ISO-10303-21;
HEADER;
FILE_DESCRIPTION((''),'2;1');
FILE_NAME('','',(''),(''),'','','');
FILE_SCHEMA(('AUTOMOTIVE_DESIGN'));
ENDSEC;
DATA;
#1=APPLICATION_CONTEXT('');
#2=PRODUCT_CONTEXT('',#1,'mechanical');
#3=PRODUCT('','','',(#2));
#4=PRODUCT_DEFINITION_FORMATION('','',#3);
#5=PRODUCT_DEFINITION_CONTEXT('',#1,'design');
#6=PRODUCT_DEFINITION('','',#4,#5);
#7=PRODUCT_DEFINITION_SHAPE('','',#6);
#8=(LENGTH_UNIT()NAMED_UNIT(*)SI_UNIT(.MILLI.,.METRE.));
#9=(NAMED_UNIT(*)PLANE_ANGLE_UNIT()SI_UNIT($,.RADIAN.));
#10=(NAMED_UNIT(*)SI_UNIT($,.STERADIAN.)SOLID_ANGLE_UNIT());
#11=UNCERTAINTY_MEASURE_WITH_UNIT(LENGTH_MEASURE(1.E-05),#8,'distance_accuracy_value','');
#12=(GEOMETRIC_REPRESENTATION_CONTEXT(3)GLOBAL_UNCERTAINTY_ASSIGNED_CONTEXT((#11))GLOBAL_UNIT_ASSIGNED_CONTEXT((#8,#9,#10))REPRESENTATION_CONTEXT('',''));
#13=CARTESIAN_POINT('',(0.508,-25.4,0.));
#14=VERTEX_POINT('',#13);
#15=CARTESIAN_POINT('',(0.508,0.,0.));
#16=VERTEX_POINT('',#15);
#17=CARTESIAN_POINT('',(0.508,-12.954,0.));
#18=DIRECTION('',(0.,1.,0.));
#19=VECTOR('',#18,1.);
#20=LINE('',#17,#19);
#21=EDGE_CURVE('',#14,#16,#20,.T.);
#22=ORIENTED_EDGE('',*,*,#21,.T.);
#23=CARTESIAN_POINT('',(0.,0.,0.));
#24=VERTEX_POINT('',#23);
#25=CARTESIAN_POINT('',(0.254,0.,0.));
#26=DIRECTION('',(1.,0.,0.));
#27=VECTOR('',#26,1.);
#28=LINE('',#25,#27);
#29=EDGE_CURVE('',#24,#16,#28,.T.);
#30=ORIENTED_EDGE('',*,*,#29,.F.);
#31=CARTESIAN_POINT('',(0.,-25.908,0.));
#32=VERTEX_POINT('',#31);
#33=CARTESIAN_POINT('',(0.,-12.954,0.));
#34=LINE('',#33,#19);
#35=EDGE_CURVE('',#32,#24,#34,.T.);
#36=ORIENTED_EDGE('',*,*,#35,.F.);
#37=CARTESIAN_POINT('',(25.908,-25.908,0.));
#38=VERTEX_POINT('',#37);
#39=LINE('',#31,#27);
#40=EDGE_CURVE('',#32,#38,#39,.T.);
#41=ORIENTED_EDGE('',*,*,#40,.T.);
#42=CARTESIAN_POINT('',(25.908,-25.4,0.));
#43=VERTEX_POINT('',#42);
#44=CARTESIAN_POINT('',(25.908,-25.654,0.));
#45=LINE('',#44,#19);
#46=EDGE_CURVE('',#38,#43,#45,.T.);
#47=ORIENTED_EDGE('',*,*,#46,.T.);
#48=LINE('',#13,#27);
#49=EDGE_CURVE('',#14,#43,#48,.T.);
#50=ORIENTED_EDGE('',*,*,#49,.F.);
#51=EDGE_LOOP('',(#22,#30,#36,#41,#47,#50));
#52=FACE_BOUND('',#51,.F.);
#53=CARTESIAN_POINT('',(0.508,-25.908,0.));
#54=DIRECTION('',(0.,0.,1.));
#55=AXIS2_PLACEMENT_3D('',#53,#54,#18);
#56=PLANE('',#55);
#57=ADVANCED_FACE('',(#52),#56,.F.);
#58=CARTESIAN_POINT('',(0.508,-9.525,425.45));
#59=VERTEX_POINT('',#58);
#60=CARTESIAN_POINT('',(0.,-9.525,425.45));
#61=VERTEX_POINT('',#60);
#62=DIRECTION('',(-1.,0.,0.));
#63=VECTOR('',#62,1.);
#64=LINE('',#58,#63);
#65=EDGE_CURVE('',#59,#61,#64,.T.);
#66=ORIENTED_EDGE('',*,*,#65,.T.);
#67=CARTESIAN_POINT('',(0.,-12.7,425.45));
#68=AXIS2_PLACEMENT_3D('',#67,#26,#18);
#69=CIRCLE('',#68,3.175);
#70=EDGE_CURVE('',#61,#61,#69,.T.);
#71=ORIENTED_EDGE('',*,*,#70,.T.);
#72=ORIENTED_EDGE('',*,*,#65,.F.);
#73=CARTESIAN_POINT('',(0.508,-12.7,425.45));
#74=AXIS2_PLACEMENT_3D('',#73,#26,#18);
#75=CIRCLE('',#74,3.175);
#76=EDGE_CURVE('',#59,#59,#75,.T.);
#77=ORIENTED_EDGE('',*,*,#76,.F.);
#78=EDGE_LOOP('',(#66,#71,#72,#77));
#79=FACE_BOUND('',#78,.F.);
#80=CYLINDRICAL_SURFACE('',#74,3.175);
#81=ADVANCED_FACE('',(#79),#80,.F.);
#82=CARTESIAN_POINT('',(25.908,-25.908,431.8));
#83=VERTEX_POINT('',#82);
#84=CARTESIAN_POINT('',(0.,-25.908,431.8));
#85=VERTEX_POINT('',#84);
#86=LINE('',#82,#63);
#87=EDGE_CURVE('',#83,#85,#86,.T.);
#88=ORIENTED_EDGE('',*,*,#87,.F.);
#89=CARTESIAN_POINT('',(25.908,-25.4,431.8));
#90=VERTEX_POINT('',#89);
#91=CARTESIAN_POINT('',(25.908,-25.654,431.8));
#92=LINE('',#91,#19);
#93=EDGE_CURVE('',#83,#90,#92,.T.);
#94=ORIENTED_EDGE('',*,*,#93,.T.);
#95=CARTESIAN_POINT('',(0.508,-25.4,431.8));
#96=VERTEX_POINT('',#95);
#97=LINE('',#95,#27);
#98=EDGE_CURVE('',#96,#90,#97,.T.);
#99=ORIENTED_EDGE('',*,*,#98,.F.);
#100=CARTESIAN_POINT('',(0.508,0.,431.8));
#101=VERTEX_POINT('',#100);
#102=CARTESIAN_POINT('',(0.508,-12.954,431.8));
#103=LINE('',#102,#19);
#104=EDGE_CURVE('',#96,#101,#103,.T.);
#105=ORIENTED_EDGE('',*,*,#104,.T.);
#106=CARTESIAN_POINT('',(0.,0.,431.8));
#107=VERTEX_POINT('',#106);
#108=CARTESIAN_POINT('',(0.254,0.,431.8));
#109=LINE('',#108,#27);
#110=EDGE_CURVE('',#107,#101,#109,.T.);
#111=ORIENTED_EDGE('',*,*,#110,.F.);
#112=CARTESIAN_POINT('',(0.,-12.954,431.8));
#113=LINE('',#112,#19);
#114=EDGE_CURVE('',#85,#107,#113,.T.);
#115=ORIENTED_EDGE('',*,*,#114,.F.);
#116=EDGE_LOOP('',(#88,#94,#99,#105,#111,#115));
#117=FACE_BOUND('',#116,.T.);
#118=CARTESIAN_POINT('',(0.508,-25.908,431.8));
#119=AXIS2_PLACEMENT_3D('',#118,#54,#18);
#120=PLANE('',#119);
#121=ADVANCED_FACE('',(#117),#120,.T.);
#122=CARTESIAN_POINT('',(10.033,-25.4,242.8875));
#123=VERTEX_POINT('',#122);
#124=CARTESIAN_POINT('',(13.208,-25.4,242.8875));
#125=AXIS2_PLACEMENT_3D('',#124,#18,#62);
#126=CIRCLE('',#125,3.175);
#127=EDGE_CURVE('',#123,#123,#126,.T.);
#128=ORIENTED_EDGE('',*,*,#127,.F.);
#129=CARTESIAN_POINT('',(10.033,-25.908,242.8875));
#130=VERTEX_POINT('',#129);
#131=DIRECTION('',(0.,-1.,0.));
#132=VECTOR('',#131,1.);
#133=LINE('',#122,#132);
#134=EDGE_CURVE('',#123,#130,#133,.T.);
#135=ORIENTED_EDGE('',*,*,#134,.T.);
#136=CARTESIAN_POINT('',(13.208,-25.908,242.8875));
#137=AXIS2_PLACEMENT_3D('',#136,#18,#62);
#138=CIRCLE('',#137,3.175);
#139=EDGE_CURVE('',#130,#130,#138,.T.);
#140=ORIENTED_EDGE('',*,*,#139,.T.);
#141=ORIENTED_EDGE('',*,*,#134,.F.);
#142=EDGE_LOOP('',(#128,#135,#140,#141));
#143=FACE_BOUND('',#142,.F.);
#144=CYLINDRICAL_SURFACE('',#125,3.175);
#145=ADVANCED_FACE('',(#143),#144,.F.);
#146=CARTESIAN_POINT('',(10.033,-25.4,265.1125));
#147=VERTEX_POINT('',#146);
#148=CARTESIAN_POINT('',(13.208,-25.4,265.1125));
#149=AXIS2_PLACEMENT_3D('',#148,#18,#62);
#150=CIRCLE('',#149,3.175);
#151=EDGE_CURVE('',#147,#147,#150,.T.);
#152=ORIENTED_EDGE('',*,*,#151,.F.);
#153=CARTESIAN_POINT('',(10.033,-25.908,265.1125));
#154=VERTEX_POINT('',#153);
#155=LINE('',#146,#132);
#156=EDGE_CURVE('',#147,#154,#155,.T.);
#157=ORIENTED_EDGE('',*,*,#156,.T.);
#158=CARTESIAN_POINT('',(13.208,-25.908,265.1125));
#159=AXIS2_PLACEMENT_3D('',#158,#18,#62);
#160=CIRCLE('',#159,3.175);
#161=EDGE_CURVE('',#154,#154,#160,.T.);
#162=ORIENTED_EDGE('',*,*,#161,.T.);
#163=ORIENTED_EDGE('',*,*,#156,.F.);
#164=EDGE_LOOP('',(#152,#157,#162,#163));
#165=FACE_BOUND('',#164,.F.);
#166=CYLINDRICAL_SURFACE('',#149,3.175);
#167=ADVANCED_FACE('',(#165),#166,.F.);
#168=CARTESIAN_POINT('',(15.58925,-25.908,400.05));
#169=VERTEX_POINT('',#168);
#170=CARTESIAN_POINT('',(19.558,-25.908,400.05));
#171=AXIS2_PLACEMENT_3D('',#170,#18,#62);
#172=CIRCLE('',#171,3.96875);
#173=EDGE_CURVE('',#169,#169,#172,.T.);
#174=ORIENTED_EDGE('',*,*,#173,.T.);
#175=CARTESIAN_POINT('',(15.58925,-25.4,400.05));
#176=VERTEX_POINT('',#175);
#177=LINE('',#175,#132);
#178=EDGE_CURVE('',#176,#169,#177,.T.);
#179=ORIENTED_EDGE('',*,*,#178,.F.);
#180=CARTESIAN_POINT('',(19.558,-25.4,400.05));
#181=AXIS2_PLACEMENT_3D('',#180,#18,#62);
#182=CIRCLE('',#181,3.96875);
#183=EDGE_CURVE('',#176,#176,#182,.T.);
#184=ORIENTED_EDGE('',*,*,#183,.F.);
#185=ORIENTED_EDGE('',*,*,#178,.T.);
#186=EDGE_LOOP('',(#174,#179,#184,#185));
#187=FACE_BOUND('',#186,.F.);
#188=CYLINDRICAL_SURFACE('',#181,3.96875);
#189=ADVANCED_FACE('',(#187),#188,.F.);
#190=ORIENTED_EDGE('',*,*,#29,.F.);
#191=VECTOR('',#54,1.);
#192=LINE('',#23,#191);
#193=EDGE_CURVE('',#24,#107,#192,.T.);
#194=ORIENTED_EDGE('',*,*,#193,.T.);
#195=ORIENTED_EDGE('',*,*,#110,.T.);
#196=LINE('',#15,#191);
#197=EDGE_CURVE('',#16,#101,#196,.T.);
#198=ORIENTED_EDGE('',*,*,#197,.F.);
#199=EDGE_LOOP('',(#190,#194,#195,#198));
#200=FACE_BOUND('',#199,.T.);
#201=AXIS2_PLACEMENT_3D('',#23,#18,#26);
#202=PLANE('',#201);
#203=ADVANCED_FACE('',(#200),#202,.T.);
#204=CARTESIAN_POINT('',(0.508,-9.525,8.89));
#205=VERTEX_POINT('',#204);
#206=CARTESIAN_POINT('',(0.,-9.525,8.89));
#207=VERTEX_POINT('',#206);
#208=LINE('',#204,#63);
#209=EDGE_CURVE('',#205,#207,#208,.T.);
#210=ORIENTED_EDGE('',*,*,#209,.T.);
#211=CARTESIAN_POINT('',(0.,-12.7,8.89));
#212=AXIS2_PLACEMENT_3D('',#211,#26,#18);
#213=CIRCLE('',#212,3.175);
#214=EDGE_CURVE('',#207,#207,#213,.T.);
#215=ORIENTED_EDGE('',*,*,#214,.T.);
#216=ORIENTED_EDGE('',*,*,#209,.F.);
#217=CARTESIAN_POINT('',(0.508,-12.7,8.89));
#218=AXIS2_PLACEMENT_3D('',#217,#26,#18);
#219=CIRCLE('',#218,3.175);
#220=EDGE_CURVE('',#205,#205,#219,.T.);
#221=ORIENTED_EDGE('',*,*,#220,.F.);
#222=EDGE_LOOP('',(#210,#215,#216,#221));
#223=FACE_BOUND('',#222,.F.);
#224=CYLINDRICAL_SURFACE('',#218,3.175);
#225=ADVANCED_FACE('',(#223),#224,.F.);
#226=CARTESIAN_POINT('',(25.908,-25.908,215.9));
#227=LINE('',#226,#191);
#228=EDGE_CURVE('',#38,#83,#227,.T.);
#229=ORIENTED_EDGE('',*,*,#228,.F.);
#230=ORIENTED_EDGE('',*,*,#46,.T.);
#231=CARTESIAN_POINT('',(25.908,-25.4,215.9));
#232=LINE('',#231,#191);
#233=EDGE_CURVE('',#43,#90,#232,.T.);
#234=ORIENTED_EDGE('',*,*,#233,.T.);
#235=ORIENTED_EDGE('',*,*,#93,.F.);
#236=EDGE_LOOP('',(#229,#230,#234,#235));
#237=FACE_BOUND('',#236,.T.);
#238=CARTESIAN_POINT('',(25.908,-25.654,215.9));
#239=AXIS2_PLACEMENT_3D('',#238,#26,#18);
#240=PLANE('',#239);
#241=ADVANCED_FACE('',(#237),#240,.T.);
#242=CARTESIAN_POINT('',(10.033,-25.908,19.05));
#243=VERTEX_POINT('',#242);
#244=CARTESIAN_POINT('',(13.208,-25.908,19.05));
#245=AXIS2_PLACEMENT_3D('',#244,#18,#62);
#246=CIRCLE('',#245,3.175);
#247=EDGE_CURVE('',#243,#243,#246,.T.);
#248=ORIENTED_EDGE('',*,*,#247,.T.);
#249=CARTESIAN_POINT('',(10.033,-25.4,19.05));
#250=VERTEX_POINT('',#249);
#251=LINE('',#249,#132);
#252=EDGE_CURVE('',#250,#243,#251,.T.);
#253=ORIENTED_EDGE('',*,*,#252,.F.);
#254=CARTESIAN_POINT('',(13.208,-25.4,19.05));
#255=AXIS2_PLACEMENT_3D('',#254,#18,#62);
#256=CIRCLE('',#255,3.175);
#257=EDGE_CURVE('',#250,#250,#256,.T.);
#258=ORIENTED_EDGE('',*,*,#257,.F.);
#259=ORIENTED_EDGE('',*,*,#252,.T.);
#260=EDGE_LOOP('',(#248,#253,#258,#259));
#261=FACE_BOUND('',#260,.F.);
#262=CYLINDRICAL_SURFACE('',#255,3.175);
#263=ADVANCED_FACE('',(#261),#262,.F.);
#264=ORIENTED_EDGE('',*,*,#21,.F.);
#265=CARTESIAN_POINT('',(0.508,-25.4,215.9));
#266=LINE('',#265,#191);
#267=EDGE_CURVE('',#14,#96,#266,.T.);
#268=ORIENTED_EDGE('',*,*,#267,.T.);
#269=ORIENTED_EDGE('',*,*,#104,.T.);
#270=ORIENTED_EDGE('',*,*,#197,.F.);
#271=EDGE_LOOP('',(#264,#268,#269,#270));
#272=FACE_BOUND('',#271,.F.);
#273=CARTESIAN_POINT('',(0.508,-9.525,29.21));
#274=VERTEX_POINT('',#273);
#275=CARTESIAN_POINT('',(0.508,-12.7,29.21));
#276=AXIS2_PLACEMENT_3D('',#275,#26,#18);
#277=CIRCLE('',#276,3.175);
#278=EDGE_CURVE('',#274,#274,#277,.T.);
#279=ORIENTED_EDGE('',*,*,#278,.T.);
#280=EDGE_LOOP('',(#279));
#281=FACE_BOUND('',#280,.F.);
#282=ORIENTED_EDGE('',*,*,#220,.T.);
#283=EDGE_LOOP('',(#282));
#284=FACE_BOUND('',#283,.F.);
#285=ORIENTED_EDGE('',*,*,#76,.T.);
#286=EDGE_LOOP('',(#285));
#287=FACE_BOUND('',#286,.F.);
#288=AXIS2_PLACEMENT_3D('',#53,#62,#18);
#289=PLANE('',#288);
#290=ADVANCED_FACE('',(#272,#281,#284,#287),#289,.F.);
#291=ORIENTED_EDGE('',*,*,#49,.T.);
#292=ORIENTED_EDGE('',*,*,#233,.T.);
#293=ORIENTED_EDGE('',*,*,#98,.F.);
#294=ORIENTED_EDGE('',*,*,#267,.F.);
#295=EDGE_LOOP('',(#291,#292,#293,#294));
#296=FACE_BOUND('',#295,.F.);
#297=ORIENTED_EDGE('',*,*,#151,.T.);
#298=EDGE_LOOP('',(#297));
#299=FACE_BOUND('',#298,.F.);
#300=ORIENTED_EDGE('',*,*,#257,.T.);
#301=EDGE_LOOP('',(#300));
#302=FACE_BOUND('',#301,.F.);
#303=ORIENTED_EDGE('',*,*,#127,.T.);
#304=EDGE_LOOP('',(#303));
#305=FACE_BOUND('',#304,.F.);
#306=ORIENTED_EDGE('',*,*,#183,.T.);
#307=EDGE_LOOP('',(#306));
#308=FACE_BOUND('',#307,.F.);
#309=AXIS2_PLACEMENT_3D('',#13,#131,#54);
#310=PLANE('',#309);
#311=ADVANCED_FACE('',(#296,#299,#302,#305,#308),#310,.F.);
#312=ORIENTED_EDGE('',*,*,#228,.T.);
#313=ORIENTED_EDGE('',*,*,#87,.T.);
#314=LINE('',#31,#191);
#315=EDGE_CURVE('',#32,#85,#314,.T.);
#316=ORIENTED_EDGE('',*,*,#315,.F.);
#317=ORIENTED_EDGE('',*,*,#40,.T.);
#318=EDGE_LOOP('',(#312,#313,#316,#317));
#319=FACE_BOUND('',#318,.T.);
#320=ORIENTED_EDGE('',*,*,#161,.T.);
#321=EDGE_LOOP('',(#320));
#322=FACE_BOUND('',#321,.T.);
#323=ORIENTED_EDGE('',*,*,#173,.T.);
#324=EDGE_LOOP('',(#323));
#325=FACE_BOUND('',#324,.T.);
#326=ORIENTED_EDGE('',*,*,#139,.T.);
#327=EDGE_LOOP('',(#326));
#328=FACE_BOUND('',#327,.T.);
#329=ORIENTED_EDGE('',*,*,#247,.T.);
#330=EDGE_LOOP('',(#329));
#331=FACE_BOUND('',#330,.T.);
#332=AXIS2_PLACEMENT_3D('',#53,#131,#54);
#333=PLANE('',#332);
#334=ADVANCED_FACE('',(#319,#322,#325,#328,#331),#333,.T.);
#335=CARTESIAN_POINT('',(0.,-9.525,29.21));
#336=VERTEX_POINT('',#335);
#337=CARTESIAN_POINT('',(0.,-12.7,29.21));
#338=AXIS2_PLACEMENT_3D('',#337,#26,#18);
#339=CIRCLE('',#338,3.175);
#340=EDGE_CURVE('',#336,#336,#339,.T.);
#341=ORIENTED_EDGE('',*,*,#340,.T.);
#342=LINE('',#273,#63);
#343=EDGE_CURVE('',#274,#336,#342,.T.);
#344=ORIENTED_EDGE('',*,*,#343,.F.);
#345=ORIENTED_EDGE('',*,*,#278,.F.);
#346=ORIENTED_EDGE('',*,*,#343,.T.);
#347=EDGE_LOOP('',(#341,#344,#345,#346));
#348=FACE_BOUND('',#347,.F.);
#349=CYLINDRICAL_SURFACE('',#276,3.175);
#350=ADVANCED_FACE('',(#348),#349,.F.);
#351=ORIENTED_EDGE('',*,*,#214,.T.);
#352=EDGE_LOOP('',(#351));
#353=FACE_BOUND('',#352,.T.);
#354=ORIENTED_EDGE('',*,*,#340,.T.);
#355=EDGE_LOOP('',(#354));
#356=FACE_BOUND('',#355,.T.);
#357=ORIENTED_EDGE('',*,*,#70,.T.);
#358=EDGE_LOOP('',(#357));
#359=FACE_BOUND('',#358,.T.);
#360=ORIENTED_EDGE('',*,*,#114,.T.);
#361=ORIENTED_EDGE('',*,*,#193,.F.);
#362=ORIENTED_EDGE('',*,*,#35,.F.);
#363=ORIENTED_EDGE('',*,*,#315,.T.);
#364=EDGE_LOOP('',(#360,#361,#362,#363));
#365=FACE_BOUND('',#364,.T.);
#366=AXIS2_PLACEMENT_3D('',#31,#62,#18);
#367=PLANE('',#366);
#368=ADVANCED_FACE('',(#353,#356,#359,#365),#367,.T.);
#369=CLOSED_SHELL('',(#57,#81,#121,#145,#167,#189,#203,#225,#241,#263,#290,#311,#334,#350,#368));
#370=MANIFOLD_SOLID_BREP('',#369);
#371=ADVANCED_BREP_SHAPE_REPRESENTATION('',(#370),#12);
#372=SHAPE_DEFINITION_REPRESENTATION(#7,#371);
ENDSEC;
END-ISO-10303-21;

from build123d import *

# Parameters (mm, degrees)
F0_W     = 0.508
F0_H     = 25.908
F1_DEPTH = 431.8
F2_W     = 0.508
F2_H     = 431.8
F3_DEPTH = 25.4
F4_R     = 3.175
F5_DEPTH = 25.4
F6_R     = 3.96875
F6_R_2   = 3.175
F7_DEPTH = 25.4


with BuildPart() as f1:
    # F0 (on Top) → F1 (new body)
    with BuildSketch(Plane.XY):
        with Locations((0.254, -12.954)):
            Rectangle(F0_W, F0_H)
    extrude(amount=F1_DEPTH)

    # F2 (on face) → F3 (join)
    with BuildSketch(Plane.YZ.offset(0.508)):
        with Locations((-25.654, 215.9)):
            Rectangle(F2_W, F2_H)
    extrude(amount=F3_DEPTH)

    # F4 (on face) → F5 (cut)
    with BuildSketch(Plane.YZ.offset(0.508)):
        with Locations((-12.7, 425.45)):
            Circle(F4_R)
        with Locations((-12.7, 29.21)):
            Circle(F4_R)
        with Locations((-12.7, 8.89)):
            Circle(F4_R)
    extrude(amount=-F5_DEPTH, mode=Mode.SUBTRACT)

    # F6 (on face) → F7 (cut)
    with BuildSketch(Plane(origin=(0, -25.4, 0), x_dir=(-1, 0, 0), z_dir=(0, 1, 0))):
        with Locations((-19.558, 400.05)):
            Circle(F6_R)
        with Locations((-13.208, 265.1125)):
            Circle(F6_R_2)
        with Locations((-13.208, 242.8875)):
            Circle(F6_R_2)
        with Locations((-13.208, 19.05)):
            Circle(F6_R_2)
    extrude(amount=-F7_DEPTH, mode=Mode.SUBTRACT)


solid = f1.part
